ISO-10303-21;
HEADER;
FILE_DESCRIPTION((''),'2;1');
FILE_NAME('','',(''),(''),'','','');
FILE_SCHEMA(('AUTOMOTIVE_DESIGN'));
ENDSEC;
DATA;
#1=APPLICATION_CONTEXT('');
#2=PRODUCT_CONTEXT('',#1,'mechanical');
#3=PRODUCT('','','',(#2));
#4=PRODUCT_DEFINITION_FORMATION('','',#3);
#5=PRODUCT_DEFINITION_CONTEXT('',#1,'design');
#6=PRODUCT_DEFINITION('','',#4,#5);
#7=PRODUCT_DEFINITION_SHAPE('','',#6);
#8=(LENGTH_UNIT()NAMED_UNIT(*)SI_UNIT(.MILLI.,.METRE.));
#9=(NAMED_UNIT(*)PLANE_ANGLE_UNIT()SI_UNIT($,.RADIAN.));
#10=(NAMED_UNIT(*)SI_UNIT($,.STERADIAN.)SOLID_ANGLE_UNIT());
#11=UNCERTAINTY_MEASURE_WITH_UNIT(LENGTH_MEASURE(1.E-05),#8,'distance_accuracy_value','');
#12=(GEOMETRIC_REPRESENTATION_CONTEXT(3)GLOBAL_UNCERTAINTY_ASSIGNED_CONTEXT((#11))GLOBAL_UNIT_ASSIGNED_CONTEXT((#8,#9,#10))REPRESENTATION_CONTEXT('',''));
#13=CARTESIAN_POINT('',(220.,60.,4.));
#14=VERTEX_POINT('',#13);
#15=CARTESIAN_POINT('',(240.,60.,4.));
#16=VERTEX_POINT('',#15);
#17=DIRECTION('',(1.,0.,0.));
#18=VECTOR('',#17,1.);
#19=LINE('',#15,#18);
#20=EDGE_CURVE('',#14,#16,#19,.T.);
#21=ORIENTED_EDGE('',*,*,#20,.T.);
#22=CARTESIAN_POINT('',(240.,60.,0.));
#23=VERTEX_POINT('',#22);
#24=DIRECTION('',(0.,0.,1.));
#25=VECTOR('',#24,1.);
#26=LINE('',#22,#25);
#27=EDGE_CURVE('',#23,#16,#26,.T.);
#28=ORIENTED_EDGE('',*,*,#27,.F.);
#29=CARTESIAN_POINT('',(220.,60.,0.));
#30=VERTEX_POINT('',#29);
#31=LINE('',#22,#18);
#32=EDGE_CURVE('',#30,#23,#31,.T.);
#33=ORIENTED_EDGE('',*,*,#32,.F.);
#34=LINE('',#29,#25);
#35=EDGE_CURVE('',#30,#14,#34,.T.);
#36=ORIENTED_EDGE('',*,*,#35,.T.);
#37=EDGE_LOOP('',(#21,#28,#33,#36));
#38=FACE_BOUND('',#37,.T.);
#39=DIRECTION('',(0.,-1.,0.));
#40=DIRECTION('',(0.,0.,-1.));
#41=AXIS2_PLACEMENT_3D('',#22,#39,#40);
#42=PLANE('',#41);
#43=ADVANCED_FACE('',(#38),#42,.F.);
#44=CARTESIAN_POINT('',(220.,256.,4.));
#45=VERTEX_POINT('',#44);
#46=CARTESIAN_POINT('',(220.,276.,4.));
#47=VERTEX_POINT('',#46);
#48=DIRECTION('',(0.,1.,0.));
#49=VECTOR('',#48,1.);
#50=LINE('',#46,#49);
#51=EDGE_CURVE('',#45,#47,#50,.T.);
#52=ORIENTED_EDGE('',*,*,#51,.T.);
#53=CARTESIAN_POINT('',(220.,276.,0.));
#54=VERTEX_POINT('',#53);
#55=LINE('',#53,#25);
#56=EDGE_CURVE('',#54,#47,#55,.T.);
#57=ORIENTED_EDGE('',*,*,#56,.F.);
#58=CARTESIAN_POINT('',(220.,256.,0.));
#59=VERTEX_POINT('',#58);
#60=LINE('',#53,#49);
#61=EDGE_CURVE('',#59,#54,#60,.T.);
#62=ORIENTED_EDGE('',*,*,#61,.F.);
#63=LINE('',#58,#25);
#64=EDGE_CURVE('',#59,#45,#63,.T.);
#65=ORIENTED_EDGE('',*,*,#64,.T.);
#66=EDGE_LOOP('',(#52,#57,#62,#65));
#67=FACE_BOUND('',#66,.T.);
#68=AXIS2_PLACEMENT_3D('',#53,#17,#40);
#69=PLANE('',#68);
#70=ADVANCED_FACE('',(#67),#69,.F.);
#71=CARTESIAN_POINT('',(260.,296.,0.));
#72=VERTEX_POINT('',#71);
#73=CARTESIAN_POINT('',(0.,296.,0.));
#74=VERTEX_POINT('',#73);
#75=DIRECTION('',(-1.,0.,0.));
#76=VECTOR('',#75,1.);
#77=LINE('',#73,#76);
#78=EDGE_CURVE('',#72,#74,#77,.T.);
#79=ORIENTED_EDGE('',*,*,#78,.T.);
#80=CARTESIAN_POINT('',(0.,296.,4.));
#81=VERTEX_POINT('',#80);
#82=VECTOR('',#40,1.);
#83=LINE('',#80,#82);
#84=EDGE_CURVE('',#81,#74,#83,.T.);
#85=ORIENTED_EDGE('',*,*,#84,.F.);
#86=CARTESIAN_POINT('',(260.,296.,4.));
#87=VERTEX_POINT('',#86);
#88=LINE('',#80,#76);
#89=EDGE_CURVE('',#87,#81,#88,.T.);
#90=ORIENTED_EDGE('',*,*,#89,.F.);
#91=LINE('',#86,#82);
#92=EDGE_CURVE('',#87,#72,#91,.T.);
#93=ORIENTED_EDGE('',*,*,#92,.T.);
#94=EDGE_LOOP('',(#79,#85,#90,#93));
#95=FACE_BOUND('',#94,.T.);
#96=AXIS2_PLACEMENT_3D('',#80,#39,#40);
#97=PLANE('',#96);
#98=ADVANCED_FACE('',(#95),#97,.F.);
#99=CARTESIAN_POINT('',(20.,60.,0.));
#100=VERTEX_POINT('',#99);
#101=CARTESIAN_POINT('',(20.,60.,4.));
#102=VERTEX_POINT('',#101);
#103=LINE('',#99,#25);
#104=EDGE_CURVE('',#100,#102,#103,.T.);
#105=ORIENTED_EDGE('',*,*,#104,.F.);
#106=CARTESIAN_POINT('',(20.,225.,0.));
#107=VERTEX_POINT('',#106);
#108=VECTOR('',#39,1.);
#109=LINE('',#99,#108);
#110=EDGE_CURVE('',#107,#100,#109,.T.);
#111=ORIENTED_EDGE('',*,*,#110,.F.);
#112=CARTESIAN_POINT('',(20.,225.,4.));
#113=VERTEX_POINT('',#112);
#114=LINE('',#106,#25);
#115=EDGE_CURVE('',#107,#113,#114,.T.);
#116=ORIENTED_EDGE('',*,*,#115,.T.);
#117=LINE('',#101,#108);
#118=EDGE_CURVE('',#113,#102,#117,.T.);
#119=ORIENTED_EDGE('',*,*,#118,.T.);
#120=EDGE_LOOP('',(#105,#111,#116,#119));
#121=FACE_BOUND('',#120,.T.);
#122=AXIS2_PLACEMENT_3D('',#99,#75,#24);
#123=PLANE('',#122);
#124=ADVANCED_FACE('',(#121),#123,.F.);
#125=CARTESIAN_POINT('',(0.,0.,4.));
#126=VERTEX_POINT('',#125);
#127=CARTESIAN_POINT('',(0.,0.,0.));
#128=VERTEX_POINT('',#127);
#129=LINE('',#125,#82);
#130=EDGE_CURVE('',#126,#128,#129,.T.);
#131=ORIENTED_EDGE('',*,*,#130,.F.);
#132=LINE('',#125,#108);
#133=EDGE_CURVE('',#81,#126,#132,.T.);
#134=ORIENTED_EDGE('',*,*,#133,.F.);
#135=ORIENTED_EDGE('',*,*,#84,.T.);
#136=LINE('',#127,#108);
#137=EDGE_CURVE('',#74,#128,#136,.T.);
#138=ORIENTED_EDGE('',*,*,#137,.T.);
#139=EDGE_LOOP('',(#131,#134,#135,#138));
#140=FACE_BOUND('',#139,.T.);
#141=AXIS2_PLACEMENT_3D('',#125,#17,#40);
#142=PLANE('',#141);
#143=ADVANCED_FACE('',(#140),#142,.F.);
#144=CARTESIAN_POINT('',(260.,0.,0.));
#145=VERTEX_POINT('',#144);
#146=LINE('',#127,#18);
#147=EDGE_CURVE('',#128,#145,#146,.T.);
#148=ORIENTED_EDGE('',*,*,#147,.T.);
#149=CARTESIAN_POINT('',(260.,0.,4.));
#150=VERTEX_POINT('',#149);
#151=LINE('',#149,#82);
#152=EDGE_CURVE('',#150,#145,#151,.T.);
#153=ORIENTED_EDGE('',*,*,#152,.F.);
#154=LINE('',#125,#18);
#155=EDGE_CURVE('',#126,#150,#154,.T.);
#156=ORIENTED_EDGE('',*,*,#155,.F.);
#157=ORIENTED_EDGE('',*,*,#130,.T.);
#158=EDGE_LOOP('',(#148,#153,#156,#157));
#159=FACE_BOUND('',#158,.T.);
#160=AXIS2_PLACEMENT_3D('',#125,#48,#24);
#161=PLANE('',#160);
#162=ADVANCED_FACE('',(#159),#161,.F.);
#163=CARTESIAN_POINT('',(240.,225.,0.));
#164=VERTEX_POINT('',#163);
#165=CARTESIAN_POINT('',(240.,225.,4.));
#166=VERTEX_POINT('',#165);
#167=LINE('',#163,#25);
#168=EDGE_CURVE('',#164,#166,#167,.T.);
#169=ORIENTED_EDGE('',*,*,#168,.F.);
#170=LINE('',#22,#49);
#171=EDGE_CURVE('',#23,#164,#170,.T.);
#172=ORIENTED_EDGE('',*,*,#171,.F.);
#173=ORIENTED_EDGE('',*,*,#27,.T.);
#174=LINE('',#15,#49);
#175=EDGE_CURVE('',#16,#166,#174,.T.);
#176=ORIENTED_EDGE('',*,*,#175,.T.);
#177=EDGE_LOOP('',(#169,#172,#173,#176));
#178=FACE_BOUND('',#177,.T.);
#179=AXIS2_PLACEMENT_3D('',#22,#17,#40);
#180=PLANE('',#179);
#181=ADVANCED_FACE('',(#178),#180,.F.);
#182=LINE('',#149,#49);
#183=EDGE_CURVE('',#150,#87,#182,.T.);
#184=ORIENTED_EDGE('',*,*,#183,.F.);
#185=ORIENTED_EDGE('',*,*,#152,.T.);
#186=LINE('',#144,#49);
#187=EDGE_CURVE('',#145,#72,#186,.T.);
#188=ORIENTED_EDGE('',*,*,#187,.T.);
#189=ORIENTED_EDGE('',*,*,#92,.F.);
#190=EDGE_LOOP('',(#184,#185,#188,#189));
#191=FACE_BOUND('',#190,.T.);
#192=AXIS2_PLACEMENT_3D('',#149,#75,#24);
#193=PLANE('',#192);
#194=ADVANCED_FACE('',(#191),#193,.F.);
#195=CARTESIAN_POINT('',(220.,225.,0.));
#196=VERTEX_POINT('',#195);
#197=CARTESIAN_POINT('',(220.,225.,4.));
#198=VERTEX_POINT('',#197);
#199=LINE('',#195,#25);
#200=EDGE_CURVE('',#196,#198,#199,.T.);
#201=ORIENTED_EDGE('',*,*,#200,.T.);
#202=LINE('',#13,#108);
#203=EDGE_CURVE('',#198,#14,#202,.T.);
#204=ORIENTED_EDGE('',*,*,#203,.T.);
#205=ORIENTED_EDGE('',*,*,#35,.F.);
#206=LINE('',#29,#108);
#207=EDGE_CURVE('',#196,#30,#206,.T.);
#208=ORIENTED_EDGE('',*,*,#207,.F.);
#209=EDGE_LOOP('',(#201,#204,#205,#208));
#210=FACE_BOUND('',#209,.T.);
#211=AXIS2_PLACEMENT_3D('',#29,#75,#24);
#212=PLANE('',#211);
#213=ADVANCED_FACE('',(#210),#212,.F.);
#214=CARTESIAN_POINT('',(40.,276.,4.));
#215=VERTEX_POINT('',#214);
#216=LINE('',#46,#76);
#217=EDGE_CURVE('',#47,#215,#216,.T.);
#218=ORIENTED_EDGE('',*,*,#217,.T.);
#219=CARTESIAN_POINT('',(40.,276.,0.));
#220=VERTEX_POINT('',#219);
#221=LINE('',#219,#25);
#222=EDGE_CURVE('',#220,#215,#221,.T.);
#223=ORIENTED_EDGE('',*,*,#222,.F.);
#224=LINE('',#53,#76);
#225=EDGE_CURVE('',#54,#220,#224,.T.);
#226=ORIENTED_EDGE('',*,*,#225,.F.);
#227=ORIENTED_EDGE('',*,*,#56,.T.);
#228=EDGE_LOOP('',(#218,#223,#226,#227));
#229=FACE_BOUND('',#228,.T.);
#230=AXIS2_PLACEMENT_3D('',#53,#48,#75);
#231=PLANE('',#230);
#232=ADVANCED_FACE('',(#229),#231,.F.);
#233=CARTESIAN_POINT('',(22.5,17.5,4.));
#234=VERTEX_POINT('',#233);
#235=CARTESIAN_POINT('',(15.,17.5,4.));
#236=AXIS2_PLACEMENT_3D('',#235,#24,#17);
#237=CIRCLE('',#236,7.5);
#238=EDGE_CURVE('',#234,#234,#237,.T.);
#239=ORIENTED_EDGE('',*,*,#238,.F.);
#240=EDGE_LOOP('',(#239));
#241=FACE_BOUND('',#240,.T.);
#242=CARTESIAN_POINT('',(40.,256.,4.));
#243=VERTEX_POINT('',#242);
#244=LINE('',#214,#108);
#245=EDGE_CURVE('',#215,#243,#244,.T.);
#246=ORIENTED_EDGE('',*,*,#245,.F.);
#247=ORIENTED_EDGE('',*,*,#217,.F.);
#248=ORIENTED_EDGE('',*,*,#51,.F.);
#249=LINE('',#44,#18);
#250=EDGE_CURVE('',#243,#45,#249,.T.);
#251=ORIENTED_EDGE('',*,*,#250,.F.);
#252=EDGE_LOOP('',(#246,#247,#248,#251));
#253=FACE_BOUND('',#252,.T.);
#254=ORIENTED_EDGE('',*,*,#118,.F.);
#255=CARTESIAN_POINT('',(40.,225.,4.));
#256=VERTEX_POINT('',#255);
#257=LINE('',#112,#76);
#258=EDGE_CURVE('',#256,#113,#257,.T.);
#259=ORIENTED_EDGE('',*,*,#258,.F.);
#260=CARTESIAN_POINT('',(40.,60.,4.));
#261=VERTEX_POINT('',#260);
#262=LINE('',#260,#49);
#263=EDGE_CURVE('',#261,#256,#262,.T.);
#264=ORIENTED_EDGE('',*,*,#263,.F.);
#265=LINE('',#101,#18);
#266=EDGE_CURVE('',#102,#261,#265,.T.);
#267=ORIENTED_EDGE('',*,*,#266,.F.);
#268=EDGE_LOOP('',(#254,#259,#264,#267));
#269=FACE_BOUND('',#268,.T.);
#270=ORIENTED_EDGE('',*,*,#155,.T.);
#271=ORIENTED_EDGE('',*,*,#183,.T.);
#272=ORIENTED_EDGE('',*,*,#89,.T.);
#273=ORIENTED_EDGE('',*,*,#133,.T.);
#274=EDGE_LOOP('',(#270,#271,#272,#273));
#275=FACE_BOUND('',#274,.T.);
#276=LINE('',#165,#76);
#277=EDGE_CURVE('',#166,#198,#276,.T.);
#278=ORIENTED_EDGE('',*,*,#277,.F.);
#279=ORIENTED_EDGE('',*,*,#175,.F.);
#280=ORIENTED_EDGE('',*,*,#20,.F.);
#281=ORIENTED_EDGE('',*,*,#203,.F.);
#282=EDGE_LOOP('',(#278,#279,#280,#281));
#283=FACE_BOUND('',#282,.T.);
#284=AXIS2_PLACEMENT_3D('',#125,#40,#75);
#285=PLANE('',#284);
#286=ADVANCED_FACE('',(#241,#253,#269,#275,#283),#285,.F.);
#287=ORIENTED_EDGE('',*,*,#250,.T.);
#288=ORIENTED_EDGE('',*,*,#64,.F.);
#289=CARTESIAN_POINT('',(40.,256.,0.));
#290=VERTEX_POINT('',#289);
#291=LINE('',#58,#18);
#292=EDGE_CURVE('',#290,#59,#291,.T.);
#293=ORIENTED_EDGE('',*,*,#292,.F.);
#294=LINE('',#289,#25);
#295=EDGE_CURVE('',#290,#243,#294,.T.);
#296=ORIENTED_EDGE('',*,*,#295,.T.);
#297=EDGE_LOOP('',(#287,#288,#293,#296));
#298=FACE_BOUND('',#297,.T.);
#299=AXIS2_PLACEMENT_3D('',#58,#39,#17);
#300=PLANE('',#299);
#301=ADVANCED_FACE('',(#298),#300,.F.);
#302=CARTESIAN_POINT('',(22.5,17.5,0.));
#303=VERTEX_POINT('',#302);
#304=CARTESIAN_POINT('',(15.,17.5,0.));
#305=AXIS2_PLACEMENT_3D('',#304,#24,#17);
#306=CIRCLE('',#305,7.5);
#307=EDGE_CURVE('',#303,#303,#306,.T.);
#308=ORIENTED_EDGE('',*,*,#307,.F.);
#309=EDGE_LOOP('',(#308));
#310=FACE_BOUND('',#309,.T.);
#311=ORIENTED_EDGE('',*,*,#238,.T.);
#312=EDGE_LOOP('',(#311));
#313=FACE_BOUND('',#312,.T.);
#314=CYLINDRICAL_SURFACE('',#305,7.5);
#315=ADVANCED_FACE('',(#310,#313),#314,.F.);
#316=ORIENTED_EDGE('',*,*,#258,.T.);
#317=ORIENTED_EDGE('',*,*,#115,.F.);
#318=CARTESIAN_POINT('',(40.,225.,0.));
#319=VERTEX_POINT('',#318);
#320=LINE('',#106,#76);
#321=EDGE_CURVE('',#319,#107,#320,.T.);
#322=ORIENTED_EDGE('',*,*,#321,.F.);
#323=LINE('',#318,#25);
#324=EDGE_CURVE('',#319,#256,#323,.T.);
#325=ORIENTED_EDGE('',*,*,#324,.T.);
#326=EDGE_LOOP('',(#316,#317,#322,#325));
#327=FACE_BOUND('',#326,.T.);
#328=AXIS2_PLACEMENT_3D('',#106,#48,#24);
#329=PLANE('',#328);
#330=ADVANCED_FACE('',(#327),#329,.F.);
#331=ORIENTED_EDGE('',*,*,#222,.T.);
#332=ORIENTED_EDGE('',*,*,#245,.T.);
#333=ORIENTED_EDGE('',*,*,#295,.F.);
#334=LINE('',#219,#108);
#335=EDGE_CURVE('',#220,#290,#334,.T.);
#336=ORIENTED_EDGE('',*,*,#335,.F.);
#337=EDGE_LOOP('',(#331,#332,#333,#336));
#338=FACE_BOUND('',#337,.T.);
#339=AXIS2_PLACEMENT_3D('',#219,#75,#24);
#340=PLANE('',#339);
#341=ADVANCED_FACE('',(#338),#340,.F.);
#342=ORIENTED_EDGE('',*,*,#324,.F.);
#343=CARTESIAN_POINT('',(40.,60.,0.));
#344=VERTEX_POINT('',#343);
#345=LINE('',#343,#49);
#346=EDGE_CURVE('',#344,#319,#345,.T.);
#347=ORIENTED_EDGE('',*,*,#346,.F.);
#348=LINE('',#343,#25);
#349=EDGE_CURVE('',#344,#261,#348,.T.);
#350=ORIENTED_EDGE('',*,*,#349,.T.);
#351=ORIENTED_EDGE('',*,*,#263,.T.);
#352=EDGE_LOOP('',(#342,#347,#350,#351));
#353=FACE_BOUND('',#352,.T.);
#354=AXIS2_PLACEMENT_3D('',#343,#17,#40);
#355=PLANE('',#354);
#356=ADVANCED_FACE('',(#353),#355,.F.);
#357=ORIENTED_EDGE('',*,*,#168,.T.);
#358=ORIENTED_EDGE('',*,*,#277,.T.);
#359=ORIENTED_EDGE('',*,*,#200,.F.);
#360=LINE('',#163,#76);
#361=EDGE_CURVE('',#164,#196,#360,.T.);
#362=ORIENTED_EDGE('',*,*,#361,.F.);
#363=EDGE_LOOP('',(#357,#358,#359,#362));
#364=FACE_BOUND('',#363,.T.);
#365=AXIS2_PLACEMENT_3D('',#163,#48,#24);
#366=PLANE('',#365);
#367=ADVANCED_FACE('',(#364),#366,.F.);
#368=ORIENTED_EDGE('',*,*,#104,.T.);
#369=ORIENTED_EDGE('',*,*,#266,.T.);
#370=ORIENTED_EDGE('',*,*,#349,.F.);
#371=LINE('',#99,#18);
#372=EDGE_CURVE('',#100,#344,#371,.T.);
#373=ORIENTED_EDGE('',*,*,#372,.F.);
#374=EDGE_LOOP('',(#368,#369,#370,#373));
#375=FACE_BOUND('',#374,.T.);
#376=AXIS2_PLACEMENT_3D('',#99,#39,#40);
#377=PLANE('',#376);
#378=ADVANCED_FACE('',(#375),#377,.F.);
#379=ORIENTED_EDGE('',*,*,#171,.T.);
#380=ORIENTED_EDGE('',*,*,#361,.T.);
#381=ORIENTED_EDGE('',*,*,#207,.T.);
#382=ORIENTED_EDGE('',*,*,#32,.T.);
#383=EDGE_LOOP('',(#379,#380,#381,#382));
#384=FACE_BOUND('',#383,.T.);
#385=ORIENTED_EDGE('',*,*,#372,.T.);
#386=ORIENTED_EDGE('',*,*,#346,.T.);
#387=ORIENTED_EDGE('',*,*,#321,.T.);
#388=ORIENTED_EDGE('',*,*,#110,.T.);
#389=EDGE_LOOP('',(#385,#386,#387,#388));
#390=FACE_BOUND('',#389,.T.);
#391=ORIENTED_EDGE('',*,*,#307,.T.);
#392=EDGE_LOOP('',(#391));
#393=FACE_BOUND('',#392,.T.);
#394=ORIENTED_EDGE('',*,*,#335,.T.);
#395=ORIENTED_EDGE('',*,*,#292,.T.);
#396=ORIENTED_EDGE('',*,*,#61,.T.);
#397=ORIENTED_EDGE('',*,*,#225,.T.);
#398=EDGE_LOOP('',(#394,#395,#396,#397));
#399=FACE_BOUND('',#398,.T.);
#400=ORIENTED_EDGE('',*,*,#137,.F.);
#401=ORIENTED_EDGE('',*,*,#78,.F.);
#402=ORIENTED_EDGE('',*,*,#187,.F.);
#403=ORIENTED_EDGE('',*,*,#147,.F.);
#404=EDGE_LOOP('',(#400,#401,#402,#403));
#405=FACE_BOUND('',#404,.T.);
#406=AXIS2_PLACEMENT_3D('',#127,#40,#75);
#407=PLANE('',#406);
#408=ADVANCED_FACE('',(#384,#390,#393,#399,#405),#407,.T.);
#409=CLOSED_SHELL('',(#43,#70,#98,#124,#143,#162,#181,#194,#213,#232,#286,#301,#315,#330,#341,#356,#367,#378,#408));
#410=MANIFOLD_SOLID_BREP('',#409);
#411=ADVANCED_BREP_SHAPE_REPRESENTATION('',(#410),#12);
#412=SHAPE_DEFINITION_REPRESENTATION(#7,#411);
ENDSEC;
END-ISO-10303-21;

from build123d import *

# Parameters (mm, degrees)
CROQUIS1_W              = 260
CROQUIS1_H              = 296
SALIENTE_EXTRUIR1_DEPTH = 4
CROQUIS2_R              = 7.5
CROQUIS2_W              = 20
CROQUIS2_H              = 165
CROQUIS2_W_2            = 180
CROQUIS2_H_2            = 20
CORTAR_EXTRUIR1_DEPTH   = 4


with BuildPart() as part:
    # Croquis1 → Saliente-Extruir1 (new body)
    with BuildSketch(Plane.XY):
        with Locations((130, 148)):
            Rectangle(CROQUIS1_W, CROQUIS1_H)
    extrude(amount=SALIENTE_EXTRUIR1_DEPTH)

    # Croquis2 → Cortar-Extruir1 (cut)
    with BuildSketch(Plane.XY.offset(4)):
        with Locations((15, 17.5)):
            Circle(CROQUIS2_R)
        with Locations((30, 142.5)):
            Rectangle(CROQUIS2_W, CROQUIS2_H)
        with Locations((230, 142.5)):
            Rectangle(CROQUIS2_W, CROQUIS2_H)
        with Locations((130, 266)):
            Rectangle(CROQUIS2_W_2, CROQUIS2_H_2)
    extrude(amount=-CORTAR_EXTRUIR1_DEPTH, mode=Mode.SUBTRACT)


solid = part.part
